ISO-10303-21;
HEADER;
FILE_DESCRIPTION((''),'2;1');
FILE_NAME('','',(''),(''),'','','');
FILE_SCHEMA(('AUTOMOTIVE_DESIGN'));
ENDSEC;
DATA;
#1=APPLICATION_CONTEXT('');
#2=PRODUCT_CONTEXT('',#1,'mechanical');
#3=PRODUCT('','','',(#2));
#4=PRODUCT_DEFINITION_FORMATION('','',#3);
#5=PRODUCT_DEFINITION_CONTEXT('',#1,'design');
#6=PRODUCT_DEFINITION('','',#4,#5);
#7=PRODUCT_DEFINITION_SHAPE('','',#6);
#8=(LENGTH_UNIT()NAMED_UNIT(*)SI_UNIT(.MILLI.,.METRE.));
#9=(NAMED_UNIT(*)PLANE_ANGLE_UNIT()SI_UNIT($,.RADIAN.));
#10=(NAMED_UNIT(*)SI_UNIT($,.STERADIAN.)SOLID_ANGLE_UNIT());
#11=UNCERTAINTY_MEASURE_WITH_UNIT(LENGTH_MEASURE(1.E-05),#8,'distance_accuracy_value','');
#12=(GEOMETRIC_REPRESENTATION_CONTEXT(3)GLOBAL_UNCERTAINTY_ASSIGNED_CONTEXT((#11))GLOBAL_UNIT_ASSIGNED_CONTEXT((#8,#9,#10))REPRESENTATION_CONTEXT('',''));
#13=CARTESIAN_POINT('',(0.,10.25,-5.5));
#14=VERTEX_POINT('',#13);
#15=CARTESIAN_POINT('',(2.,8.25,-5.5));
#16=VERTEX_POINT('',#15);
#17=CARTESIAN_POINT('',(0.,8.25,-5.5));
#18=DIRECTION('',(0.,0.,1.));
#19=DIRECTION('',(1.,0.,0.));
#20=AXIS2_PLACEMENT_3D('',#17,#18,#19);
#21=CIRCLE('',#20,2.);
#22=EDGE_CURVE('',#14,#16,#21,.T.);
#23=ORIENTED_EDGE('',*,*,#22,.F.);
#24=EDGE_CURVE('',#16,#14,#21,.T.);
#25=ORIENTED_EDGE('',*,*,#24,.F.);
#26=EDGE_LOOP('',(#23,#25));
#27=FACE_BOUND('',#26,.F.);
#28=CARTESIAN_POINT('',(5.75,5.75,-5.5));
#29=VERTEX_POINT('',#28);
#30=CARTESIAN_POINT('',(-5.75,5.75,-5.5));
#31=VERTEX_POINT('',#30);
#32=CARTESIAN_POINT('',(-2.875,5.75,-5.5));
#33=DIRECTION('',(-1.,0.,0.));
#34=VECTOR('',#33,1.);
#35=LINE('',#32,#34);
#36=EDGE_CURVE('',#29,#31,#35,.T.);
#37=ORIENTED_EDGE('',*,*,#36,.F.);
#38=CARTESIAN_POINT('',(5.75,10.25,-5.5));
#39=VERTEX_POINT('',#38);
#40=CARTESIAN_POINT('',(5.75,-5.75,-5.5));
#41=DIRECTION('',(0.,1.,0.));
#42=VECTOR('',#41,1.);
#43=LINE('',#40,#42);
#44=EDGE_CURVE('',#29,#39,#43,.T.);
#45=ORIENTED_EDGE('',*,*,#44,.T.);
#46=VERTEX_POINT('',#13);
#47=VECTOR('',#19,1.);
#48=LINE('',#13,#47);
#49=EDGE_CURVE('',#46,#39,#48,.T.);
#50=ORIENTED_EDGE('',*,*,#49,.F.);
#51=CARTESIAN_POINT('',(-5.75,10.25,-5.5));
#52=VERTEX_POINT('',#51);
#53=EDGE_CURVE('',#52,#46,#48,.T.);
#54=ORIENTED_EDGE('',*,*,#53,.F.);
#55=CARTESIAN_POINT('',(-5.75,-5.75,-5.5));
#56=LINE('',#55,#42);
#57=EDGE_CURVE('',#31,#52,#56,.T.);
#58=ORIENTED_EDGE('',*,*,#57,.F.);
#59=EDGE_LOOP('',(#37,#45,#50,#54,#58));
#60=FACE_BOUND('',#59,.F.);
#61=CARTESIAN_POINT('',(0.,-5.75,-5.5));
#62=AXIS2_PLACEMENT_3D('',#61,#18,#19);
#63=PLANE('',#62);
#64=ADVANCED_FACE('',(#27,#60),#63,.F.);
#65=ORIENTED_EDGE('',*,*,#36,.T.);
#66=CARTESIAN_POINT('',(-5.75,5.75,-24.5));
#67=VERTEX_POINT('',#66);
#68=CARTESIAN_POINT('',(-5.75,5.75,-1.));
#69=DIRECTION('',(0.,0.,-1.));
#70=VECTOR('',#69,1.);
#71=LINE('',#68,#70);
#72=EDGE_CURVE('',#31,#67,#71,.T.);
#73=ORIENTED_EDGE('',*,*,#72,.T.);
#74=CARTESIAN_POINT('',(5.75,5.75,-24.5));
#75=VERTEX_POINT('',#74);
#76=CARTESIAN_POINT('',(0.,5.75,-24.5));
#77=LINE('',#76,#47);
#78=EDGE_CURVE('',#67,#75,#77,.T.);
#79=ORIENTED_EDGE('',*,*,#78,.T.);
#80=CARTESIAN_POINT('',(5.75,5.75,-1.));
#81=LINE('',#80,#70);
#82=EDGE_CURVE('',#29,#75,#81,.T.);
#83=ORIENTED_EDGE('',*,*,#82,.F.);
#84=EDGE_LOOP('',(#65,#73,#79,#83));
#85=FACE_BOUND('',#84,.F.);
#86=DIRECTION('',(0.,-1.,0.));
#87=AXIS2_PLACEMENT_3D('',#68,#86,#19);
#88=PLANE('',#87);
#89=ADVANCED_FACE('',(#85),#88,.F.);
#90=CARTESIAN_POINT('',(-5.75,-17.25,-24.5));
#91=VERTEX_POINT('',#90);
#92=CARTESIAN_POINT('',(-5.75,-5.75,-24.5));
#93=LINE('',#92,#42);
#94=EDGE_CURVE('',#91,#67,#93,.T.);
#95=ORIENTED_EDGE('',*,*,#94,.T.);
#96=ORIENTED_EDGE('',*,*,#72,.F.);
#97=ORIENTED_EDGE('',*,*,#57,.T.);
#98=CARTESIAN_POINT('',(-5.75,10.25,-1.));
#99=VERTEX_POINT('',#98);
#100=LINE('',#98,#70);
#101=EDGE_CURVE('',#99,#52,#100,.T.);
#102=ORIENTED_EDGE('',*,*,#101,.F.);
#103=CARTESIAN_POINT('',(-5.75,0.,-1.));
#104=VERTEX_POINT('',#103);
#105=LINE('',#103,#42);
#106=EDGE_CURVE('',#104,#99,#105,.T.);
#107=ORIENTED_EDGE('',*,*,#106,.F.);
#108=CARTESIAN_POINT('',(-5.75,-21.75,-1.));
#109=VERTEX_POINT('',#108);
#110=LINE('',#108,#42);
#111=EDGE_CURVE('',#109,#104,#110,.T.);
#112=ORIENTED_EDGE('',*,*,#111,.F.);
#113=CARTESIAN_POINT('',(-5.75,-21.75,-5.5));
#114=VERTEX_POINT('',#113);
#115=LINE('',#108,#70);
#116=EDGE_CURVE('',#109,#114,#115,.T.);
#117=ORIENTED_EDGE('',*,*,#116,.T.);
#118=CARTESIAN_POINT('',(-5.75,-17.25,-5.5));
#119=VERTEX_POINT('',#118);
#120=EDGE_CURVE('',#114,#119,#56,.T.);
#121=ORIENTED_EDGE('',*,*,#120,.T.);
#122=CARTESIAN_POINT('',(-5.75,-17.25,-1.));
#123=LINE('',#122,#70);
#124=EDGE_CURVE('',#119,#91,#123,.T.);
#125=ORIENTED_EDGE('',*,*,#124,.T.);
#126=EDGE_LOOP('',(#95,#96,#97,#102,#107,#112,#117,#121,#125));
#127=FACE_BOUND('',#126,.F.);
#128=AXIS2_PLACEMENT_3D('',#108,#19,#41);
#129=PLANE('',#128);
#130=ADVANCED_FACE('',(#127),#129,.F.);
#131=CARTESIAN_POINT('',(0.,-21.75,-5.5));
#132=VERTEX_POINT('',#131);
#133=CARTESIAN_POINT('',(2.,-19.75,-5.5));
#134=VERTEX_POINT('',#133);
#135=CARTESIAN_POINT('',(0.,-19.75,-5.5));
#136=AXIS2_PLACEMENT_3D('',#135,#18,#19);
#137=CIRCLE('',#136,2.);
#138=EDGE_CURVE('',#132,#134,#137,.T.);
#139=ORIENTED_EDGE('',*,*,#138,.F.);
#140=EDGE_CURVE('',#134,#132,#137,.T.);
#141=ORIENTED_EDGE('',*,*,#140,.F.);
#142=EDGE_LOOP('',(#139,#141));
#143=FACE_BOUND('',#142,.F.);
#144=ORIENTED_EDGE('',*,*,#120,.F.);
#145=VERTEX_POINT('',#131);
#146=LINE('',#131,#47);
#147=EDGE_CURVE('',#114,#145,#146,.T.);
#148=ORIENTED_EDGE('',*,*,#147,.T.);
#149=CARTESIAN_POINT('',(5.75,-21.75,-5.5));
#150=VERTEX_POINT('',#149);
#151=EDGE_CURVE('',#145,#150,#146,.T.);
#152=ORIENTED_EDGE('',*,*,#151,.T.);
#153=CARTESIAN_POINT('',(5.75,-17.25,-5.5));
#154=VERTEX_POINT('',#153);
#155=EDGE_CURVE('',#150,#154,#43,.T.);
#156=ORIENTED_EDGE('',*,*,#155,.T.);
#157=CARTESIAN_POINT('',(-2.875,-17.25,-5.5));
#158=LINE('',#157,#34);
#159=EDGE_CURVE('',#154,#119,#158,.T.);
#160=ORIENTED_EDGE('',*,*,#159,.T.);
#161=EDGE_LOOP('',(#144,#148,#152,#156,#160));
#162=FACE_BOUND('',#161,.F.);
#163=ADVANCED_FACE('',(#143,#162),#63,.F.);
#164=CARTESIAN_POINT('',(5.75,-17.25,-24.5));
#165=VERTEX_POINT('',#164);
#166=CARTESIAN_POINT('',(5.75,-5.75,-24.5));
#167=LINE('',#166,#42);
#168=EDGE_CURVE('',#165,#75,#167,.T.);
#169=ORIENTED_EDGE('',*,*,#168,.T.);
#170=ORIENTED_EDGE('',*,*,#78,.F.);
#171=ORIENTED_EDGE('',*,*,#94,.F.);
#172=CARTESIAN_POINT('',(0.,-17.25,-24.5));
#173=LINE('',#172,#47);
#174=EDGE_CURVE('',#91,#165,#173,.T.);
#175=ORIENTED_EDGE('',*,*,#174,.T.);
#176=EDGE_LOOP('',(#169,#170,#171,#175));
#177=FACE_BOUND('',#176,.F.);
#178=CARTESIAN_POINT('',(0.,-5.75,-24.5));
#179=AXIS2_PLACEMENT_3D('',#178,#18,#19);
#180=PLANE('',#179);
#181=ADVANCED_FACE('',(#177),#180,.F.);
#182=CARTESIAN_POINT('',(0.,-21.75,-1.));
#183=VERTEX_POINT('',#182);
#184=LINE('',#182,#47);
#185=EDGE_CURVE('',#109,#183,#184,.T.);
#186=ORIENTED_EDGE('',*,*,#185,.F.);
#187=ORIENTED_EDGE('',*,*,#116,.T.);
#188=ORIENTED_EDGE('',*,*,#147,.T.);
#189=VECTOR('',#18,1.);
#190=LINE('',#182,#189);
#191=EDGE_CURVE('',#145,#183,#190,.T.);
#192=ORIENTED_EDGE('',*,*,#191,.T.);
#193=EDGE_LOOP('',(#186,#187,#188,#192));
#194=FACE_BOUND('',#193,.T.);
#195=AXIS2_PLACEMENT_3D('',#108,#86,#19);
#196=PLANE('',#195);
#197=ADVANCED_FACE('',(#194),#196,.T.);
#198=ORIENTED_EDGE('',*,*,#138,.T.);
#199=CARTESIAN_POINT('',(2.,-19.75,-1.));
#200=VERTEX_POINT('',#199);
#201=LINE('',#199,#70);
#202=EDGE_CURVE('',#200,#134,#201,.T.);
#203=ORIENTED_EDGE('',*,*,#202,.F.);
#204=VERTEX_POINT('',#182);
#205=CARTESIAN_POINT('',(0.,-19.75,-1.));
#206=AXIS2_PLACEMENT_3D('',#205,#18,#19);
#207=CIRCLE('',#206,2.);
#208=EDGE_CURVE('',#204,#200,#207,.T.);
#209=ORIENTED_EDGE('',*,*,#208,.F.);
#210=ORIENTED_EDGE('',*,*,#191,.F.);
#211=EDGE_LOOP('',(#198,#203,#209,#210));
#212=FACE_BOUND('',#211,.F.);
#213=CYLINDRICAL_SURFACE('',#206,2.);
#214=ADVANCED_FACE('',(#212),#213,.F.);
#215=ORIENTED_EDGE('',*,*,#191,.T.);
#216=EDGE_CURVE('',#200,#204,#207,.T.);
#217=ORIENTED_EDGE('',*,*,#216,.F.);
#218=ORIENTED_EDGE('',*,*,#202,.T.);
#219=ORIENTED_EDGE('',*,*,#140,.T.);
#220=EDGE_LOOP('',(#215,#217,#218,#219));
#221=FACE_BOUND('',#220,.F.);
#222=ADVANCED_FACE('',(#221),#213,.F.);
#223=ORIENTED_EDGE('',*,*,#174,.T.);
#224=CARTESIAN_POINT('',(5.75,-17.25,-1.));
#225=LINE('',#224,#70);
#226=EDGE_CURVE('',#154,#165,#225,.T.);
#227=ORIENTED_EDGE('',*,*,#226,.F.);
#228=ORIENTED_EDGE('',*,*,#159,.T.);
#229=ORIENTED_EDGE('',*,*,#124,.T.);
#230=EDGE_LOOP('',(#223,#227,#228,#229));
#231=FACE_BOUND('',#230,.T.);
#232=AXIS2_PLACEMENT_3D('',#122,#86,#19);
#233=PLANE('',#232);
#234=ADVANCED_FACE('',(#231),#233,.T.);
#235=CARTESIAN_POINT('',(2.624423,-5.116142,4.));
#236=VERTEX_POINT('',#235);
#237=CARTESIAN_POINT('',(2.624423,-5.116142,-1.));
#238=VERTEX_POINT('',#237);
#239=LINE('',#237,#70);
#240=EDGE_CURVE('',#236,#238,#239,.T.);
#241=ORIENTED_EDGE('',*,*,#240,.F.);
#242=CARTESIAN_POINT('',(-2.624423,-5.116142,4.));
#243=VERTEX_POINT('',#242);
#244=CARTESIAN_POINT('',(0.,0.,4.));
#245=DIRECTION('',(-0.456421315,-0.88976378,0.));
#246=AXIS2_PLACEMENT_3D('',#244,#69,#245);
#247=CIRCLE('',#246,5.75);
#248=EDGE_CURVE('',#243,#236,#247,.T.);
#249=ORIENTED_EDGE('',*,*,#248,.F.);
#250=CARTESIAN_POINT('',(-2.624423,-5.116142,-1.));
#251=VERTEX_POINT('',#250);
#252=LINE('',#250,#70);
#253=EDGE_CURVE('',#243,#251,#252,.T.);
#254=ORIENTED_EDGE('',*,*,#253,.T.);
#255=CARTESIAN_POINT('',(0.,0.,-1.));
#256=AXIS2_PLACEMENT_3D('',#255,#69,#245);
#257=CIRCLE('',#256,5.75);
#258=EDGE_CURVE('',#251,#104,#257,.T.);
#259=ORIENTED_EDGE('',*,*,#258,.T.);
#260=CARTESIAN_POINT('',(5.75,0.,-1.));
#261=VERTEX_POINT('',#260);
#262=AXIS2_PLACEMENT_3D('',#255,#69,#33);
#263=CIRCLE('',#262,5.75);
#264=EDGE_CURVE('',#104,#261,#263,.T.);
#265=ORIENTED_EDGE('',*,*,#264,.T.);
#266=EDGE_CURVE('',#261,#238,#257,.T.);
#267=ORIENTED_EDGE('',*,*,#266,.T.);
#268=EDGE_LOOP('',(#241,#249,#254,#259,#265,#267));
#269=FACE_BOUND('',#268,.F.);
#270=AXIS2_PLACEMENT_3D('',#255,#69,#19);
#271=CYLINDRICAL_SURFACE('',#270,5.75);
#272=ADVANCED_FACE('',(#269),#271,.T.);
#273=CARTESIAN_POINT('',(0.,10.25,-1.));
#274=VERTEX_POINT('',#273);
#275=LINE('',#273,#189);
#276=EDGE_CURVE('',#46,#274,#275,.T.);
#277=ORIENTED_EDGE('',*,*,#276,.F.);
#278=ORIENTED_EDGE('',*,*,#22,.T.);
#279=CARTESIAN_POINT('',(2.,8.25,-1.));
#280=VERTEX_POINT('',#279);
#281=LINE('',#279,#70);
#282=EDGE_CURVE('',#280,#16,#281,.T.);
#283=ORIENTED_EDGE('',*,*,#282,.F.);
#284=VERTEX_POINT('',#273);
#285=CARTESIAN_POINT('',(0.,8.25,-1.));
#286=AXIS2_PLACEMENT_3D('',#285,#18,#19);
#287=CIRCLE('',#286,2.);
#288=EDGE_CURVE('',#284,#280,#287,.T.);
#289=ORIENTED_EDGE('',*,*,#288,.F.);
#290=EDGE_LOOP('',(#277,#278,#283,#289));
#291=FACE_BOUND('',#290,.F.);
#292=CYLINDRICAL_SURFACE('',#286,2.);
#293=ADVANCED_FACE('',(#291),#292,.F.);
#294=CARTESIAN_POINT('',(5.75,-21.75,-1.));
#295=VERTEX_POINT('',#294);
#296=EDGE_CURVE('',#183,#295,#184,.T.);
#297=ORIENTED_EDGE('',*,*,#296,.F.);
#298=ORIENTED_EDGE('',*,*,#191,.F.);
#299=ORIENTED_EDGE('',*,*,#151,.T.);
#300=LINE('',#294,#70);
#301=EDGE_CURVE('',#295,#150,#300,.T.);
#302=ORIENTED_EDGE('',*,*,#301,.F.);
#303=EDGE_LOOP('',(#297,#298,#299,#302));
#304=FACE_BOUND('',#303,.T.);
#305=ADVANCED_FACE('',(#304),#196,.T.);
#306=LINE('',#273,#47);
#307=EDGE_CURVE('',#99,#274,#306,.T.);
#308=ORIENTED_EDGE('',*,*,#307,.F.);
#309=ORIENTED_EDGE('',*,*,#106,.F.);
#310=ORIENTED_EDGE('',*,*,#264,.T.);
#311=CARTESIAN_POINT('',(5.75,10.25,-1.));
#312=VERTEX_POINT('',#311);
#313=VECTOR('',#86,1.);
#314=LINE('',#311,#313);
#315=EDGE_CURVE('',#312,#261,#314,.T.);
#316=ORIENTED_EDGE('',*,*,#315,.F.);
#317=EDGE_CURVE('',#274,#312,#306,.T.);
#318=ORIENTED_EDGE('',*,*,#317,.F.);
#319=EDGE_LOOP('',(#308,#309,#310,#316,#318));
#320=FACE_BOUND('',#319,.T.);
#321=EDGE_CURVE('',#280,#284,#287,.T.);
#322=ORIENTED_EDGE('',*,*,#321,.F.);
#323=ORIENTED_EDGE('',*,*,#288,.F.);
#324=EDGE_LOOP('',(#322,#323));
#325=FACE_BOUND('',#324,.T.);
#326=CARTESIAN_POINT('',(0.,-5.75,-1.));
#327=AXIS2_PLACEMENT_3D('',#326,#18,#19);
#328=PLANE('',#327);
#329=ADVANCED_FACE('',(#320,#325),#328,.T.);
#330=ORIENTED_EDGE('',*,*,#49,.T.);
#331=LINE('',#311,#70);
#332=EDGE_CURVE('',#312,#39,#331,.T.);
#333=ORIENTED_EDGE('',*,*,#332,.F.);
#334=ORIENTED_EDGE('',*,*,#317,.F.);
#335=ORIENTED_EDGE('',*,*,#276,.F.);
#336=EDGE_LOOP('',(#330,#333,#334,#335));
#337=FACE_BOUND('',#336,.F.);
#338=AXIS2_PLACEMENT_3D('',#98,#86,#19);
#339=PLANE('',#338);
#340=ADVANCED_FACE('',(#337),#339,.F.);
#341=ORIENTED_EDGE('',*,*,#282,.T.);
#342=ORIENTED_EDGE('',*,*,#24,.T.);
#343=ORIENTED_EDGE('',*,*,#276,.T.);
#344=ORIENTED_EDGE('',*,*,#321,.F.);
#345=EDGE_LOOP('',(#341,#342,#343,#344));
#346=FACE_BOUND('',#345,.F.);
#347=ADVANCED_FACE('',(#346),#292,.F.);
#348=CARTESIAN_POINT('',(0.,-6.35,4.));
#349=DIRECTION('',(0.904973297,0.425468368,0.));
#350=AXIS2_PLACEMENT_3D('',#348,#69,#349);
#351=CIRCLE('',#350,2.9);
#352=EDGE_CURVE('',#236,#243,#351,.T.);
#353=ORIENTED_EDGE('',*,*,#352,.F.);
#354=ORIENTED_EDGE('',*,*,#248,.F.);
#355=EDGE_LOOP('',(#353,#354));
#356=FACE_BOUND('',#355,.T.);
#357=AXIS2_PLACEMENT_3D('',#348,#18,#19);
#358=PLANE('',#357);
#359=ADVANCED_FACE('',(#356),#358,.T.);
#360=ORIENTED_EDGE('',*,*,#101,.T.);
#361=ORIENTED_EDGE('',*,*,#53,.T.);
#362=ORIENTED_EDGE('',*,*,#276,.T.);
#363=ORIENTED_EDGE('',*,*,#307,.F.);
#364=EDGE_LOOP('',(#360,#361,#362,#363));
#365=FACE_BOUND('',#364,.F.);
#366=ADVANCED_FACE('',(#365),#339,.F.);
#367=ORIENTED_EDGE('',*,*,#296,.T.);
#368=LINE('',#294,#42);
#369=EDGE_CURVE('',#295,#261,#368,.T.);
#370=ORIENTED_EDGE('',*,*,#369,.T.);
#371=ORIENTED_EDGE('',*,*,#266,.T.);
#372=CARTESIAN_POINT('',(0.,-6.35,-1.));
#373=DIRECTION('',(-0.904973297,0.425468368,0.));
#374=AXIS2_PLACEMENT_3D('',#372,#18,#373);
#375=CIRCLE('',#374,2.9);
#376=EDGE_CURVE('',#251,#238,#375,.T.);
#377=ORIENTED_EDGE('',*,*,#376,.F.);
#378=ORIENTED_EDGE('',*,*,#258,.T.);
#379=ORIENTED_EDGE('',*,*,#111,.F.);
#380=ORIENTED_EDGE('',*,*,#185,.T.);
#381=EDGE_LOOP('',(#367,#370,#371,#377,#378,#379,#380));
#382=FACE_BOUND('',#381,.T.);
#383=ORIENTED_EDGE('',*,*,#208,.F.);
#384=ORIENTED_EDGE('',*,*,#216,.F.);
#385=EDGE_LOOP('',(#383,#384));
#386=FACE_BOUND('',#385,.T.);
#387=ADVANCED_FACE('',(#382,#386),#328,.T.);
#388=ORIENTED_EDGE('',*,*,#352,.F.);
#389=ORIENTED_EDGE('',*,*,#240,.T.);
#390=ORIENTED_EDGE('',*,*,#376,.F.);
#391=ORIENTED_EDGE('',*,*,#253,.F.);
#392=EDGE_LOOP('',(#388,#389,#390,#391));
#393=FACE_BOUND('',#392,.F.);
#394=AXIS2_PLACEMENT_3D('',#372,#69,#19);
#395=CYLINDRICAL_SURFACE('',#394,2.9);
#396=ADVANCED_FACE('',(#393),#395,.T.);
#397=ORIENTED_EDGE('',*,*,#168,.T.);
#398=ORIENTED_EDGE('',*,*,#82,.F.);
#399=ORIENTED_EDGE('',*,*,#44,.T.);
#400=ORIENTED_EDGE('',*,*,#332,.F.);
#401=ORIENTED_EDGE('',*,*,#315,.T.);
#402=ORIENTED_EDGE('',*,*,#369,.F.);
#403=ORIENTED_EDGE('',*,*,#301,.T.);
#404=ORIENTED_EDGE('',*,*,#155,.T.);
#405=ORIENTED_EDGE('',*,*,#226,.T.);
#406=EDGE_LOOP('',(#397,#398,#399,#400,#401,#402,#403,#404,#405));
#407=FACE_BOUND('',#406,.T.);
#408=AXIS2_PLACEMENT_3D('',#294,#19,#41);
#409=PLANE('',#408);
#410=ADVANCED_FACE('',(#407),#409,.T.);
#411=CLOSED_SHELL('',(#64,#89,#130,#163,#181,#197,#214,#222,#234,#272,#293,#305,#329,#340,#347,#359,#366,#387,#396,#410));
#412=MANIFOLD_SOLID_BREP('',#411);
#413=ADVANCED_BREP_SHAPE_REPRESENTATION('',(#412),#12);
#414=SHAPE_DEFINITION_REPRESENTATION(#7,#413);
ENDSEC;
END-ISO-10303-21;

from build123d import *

# Parameters (mm, degrees)
SKETCH_R     = 5.75
PAD_DEPTH    = 5
SKETCH001_R  = 2.9
PAD001_DEPTH = 5
SKETCH002_W  = 11.5
SKETCH002_H  = 23
PAD002_DEPTH = 23.5
SKETCH003_W  = 11.5
SKETCH003_H  = 32
PAD003_DEPTH = 4.5
SKETCH004_R  = 2
POCKET_DEPTH = 23.501


with BuildPart() as part:
    # Sketch → Pad (new body)
    with BuildSketch(Plane.XY):
        Circle(SKETCH_R)
    extrude(amount=PAD_DEPTH)

    # Sketch001 → Pad001 (join)
    with BuildSketch(Plane.XY):
        with Locations((0, -6.35)):
            Circle(SKETCH001_R)
    extrude(amount=PAD001_DEPTH)

    # Sketch002 → Pad002 (join)
    with BuildSketch(Plane.XY):
        with Locations((0, -5.75)):
            Rectangle(SKETCH002_W, SKETCH002_H)
    extrude(amount=-PAD002_DEPTH)

    # Sketch003 → Pad003 (join)
    with BuildSketch(Plane.XY):
        with Locations((0, -5.75)):
            Rectangle(SKETCH003_W, SKETCH003_H)
    extrude(amount=-PAD003_DEPTH)

    # Sketch004 → Pocket (cut, through all)
    with BuildSketch(Plane.XY):
        with Locations((0, 8.25)):
            Circle(SKETCH004_R)
        with Locations((0, -19.75)):
            Circle(SKETCH004_R)
    extrude(amount=-POCKET_DEPTH, mode=Mode.SUBTRACT)


with BuildPart() as part_1:
    # Body placement: moved
    add(part.part.moved(Location((0, 0, -1))))


solid = part_1.part
